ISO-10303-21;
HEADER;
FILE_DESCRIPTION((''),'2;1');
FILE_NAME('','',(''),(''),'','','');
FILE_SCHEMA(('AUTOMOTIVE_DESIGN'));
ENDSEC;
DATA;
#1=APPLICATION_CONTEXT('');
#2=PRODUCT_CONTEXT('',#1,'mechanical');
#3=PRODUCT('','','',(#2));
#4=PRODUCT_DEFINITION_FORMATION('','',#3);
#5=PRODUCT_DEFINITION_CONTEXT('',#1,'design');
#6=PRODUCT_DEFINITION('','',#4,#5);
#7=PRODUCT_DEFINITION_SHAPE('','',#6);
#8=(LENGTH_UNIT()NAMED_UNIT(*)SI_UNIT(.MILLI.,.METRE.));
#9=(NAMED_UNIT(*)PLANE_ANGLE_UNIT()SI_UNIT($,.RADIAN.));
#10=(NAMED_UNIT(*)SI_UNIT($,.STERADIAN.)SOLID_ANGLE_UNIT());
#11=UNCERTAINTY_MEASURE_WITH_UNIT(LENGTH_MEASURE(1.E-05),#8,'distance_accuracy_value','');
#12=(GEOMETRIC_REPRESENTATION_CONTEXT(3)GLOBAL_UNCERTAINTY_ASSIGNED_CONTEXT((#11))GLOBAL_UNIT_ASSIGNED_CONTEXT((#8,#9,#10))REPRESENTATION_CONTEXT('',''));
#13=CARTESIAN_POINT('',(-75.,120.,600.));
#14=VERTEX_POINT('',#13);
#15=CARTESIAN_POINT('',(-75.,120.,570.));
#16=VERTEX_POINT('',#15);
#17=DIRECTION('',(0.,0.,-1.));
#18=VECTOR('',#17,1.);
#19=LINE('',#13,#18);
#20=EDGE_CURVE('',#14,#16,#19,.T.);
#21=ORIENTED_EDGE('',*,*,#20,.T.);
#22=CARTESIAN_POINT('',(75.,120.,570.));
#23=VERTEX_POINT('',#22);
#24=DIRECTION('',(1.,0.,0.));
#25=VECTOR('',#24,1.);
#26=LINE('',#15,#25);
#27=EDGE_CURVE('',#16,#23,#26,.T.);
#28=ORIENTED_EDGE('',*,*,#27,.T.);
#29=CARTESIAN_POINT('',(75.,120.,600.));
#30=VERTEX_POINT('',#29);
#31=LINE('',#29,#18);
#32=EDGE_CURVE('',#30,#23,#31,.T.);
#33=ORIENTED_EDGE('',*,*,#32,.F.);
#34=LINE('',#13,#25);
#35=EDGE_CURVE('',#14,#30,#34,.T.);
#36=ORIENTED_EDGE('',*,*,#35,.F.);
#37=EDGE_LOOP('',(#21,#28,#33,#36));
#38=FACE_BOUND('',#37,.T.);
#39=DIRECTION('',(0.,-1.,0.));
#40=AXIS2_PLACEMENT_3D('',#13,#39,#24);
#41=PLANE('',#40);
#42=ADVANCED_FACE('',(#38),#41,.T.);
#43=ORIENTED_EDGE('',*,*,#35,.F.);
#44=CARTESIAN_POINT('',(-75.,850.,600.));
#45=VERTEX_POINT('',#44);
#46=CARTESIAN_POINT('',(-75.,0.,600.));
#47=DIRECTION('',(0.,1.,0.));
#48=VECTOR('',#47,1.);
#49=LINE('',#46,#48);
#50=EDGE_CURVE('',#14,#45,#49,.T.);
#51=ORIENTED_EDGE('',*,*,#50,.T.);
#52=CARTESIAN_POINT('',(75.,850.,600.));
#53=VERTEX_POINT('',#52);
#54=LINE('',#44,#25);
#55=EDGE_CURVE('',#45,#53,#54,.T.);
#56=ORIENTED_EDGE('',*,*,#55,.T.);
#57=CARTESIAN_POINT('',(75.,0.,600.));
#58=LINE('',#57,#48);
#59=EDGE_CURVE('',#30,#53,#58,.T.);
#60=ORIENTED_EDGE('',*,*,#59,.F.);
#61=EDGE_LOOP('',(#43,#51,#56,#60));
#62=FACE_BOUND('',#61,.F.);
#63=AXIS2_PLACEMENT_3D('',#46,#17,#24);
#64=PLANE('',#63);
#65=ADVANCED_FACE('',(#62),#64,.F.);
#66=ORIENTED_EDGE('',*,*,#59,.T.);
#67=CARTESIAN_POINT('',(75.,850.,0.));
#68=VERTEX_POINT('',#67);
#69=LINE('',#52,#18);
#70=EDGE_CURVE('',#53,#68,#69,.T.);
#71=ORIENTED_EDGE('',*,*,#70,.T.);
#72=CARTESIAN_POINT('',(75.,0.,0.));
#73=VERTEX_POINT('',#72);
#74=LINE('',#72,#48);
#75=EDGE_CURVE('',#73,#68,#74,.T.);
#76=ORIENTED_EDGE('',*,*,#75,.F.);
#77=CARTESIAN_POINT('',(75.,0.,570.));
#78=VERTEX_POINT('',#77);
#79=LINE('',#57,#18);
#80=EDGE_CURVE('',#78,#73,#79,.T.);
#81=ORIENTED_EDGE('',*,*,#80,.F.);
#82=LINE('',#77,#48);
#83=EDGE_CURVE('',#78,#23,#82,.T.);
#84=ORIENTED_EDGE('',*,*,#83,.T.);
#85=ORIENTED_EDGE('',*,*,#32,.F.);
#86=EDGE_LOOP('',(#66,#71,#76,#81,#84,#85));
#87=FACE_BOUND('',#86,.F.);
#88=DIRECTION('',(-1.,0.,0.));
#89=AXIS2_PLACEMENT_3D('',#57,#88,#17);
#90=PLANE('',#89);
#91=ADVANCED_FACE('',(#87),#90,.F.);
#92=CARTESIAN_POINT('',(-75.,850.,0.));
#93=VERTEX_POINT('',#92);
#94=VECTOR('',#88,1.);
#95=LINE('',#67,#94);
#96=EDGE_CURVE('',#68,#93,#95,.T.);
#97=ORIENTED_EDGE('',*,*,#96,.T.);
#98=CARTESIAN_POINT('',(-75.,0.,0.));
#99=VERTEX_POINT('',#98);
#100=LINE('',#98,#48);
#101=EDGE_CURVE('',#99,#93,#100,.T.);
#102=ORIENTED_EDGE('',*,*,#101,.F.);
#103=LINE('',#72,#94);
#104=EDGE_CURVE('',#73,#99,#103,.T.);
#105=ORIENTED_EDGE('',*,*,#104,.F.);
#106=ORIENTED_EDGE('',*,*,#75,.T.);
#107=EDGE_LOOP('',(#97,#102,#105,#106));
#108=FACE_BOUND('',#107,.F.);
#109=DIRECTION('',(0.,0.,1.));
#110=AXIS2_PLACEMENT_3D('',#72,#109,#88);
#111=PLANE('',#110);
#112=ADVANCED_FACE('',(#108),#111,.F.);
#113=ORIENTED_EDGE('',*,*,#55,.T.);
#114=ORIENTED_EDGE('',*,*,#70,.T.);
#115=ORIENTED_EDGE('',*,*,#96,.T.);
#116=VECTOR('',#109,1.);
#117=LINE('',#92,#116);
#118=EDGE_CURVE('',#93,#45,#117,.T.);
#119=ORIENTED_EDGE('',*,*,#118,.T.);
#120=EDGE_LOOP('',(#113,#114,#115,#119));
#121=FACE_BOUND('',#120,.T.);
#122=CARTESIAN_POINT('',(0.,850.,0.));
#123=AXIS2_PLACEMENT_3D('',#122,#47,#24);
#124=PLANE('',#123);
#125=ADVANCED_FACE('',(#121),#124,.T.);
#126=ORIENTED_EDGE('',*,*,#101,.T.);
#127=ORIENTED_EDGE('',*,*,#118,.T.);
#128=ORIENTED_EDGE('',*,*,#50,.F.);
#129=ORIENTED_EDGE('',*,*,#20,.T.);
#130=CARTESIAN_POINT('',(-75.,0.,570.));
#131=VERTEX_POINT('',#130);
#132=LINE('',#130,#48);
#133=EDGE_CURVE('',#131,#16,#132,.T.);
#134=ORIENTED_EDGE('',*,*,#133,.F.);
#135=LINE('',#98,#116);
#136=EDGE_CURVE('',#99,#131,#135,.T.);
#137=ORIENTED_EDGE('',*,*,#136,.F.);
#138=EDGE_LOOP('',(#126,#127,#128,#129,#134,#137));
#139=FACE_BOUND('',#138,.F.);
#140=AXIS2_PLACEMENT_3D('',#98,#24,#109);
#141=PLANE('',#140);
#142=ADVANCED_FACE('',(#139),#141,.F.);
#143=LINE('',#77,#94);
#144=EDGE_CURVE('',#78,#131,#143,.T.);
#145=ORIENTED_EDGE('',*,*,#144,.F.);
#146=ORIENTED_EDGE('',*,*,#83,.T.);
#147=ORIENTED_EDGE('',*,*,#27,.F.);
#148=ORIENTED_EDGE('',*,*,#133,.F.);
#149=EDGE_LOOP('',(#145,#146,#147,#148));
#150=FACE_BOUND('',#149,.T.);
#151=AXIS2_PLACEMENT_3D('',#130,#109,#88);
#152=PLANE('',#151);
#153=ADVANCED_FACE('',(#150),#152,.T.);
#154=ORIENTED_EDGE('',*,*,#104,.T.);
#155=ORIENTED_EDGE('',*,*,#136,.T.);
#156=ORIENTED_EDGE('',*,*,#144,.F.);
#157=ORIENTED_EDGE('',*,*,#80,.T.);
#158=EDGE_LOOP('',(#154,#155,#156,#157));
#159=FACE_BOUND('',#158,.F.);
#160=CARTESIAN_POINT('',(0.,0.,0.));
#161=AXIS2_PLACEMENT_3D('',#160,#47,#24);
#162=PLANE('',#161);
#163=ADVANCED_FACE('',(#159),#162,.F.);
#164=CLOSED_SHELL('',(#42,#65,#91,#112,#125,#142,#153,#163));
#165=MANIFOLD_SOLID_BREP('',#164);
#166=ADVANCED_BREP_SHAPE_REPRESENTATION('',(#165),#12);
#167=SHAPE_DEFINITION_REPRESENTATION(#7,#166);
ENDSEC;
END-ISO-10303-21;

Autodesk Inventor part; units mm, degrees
ref_plane "YZ Plane" through (0, 0, 0) normal (1, 0, 0) x (0, 1, 0)
ref_plane "XZ Plane" through (0, 0, 0) normal (0, 1, 0) x (-1, 0, 0)
ref_plane "XY Plane" through (0, 0, 0) normal (0, 0, 1) x (1, 0, 0)
sketch "Sketch1" plane through (0, 0, 0) normal (0, 1, 0) x (1, 0, 0)
  line L0 (75, 0) -> (-75, 0)
  line L1 (-75, 0) -> (-75, -600)
  line L2 (-75, -600) -> (75, -600)
  line L3 (75, -600) -> (75, 0)
  point P0 (0, 0)
  point P1 (0, 0)
  dimension "d0" = 150
  dimension "d1" = 600
extrude "Extrusion1" add sketch "Sketch1" along normal blind 850
sketch "Sketch2" plane through (-75, 0, 600) normal (0, 0, 1) x (-1, 0, 0)
  line L0 (-150, 0) -> (-150, -850) projected
  line L1 (0, 0) -> (0, -850) projected
  line L2 (-150, 0) -> (0, 0)
  line L3 (0, 0) -> (0, -120)
  line L4 (0, -120) -> (-150, -120)
  line L5 (-150, -120) -> (-150, 0)
  point P0 (-75, 0)
  point P1 (-150, -120)
  dimension "d4" = 120
extrude "Extrusion2" cut sketch "Sketch2" against normal blind 30
properties part number "Mobile 15"
